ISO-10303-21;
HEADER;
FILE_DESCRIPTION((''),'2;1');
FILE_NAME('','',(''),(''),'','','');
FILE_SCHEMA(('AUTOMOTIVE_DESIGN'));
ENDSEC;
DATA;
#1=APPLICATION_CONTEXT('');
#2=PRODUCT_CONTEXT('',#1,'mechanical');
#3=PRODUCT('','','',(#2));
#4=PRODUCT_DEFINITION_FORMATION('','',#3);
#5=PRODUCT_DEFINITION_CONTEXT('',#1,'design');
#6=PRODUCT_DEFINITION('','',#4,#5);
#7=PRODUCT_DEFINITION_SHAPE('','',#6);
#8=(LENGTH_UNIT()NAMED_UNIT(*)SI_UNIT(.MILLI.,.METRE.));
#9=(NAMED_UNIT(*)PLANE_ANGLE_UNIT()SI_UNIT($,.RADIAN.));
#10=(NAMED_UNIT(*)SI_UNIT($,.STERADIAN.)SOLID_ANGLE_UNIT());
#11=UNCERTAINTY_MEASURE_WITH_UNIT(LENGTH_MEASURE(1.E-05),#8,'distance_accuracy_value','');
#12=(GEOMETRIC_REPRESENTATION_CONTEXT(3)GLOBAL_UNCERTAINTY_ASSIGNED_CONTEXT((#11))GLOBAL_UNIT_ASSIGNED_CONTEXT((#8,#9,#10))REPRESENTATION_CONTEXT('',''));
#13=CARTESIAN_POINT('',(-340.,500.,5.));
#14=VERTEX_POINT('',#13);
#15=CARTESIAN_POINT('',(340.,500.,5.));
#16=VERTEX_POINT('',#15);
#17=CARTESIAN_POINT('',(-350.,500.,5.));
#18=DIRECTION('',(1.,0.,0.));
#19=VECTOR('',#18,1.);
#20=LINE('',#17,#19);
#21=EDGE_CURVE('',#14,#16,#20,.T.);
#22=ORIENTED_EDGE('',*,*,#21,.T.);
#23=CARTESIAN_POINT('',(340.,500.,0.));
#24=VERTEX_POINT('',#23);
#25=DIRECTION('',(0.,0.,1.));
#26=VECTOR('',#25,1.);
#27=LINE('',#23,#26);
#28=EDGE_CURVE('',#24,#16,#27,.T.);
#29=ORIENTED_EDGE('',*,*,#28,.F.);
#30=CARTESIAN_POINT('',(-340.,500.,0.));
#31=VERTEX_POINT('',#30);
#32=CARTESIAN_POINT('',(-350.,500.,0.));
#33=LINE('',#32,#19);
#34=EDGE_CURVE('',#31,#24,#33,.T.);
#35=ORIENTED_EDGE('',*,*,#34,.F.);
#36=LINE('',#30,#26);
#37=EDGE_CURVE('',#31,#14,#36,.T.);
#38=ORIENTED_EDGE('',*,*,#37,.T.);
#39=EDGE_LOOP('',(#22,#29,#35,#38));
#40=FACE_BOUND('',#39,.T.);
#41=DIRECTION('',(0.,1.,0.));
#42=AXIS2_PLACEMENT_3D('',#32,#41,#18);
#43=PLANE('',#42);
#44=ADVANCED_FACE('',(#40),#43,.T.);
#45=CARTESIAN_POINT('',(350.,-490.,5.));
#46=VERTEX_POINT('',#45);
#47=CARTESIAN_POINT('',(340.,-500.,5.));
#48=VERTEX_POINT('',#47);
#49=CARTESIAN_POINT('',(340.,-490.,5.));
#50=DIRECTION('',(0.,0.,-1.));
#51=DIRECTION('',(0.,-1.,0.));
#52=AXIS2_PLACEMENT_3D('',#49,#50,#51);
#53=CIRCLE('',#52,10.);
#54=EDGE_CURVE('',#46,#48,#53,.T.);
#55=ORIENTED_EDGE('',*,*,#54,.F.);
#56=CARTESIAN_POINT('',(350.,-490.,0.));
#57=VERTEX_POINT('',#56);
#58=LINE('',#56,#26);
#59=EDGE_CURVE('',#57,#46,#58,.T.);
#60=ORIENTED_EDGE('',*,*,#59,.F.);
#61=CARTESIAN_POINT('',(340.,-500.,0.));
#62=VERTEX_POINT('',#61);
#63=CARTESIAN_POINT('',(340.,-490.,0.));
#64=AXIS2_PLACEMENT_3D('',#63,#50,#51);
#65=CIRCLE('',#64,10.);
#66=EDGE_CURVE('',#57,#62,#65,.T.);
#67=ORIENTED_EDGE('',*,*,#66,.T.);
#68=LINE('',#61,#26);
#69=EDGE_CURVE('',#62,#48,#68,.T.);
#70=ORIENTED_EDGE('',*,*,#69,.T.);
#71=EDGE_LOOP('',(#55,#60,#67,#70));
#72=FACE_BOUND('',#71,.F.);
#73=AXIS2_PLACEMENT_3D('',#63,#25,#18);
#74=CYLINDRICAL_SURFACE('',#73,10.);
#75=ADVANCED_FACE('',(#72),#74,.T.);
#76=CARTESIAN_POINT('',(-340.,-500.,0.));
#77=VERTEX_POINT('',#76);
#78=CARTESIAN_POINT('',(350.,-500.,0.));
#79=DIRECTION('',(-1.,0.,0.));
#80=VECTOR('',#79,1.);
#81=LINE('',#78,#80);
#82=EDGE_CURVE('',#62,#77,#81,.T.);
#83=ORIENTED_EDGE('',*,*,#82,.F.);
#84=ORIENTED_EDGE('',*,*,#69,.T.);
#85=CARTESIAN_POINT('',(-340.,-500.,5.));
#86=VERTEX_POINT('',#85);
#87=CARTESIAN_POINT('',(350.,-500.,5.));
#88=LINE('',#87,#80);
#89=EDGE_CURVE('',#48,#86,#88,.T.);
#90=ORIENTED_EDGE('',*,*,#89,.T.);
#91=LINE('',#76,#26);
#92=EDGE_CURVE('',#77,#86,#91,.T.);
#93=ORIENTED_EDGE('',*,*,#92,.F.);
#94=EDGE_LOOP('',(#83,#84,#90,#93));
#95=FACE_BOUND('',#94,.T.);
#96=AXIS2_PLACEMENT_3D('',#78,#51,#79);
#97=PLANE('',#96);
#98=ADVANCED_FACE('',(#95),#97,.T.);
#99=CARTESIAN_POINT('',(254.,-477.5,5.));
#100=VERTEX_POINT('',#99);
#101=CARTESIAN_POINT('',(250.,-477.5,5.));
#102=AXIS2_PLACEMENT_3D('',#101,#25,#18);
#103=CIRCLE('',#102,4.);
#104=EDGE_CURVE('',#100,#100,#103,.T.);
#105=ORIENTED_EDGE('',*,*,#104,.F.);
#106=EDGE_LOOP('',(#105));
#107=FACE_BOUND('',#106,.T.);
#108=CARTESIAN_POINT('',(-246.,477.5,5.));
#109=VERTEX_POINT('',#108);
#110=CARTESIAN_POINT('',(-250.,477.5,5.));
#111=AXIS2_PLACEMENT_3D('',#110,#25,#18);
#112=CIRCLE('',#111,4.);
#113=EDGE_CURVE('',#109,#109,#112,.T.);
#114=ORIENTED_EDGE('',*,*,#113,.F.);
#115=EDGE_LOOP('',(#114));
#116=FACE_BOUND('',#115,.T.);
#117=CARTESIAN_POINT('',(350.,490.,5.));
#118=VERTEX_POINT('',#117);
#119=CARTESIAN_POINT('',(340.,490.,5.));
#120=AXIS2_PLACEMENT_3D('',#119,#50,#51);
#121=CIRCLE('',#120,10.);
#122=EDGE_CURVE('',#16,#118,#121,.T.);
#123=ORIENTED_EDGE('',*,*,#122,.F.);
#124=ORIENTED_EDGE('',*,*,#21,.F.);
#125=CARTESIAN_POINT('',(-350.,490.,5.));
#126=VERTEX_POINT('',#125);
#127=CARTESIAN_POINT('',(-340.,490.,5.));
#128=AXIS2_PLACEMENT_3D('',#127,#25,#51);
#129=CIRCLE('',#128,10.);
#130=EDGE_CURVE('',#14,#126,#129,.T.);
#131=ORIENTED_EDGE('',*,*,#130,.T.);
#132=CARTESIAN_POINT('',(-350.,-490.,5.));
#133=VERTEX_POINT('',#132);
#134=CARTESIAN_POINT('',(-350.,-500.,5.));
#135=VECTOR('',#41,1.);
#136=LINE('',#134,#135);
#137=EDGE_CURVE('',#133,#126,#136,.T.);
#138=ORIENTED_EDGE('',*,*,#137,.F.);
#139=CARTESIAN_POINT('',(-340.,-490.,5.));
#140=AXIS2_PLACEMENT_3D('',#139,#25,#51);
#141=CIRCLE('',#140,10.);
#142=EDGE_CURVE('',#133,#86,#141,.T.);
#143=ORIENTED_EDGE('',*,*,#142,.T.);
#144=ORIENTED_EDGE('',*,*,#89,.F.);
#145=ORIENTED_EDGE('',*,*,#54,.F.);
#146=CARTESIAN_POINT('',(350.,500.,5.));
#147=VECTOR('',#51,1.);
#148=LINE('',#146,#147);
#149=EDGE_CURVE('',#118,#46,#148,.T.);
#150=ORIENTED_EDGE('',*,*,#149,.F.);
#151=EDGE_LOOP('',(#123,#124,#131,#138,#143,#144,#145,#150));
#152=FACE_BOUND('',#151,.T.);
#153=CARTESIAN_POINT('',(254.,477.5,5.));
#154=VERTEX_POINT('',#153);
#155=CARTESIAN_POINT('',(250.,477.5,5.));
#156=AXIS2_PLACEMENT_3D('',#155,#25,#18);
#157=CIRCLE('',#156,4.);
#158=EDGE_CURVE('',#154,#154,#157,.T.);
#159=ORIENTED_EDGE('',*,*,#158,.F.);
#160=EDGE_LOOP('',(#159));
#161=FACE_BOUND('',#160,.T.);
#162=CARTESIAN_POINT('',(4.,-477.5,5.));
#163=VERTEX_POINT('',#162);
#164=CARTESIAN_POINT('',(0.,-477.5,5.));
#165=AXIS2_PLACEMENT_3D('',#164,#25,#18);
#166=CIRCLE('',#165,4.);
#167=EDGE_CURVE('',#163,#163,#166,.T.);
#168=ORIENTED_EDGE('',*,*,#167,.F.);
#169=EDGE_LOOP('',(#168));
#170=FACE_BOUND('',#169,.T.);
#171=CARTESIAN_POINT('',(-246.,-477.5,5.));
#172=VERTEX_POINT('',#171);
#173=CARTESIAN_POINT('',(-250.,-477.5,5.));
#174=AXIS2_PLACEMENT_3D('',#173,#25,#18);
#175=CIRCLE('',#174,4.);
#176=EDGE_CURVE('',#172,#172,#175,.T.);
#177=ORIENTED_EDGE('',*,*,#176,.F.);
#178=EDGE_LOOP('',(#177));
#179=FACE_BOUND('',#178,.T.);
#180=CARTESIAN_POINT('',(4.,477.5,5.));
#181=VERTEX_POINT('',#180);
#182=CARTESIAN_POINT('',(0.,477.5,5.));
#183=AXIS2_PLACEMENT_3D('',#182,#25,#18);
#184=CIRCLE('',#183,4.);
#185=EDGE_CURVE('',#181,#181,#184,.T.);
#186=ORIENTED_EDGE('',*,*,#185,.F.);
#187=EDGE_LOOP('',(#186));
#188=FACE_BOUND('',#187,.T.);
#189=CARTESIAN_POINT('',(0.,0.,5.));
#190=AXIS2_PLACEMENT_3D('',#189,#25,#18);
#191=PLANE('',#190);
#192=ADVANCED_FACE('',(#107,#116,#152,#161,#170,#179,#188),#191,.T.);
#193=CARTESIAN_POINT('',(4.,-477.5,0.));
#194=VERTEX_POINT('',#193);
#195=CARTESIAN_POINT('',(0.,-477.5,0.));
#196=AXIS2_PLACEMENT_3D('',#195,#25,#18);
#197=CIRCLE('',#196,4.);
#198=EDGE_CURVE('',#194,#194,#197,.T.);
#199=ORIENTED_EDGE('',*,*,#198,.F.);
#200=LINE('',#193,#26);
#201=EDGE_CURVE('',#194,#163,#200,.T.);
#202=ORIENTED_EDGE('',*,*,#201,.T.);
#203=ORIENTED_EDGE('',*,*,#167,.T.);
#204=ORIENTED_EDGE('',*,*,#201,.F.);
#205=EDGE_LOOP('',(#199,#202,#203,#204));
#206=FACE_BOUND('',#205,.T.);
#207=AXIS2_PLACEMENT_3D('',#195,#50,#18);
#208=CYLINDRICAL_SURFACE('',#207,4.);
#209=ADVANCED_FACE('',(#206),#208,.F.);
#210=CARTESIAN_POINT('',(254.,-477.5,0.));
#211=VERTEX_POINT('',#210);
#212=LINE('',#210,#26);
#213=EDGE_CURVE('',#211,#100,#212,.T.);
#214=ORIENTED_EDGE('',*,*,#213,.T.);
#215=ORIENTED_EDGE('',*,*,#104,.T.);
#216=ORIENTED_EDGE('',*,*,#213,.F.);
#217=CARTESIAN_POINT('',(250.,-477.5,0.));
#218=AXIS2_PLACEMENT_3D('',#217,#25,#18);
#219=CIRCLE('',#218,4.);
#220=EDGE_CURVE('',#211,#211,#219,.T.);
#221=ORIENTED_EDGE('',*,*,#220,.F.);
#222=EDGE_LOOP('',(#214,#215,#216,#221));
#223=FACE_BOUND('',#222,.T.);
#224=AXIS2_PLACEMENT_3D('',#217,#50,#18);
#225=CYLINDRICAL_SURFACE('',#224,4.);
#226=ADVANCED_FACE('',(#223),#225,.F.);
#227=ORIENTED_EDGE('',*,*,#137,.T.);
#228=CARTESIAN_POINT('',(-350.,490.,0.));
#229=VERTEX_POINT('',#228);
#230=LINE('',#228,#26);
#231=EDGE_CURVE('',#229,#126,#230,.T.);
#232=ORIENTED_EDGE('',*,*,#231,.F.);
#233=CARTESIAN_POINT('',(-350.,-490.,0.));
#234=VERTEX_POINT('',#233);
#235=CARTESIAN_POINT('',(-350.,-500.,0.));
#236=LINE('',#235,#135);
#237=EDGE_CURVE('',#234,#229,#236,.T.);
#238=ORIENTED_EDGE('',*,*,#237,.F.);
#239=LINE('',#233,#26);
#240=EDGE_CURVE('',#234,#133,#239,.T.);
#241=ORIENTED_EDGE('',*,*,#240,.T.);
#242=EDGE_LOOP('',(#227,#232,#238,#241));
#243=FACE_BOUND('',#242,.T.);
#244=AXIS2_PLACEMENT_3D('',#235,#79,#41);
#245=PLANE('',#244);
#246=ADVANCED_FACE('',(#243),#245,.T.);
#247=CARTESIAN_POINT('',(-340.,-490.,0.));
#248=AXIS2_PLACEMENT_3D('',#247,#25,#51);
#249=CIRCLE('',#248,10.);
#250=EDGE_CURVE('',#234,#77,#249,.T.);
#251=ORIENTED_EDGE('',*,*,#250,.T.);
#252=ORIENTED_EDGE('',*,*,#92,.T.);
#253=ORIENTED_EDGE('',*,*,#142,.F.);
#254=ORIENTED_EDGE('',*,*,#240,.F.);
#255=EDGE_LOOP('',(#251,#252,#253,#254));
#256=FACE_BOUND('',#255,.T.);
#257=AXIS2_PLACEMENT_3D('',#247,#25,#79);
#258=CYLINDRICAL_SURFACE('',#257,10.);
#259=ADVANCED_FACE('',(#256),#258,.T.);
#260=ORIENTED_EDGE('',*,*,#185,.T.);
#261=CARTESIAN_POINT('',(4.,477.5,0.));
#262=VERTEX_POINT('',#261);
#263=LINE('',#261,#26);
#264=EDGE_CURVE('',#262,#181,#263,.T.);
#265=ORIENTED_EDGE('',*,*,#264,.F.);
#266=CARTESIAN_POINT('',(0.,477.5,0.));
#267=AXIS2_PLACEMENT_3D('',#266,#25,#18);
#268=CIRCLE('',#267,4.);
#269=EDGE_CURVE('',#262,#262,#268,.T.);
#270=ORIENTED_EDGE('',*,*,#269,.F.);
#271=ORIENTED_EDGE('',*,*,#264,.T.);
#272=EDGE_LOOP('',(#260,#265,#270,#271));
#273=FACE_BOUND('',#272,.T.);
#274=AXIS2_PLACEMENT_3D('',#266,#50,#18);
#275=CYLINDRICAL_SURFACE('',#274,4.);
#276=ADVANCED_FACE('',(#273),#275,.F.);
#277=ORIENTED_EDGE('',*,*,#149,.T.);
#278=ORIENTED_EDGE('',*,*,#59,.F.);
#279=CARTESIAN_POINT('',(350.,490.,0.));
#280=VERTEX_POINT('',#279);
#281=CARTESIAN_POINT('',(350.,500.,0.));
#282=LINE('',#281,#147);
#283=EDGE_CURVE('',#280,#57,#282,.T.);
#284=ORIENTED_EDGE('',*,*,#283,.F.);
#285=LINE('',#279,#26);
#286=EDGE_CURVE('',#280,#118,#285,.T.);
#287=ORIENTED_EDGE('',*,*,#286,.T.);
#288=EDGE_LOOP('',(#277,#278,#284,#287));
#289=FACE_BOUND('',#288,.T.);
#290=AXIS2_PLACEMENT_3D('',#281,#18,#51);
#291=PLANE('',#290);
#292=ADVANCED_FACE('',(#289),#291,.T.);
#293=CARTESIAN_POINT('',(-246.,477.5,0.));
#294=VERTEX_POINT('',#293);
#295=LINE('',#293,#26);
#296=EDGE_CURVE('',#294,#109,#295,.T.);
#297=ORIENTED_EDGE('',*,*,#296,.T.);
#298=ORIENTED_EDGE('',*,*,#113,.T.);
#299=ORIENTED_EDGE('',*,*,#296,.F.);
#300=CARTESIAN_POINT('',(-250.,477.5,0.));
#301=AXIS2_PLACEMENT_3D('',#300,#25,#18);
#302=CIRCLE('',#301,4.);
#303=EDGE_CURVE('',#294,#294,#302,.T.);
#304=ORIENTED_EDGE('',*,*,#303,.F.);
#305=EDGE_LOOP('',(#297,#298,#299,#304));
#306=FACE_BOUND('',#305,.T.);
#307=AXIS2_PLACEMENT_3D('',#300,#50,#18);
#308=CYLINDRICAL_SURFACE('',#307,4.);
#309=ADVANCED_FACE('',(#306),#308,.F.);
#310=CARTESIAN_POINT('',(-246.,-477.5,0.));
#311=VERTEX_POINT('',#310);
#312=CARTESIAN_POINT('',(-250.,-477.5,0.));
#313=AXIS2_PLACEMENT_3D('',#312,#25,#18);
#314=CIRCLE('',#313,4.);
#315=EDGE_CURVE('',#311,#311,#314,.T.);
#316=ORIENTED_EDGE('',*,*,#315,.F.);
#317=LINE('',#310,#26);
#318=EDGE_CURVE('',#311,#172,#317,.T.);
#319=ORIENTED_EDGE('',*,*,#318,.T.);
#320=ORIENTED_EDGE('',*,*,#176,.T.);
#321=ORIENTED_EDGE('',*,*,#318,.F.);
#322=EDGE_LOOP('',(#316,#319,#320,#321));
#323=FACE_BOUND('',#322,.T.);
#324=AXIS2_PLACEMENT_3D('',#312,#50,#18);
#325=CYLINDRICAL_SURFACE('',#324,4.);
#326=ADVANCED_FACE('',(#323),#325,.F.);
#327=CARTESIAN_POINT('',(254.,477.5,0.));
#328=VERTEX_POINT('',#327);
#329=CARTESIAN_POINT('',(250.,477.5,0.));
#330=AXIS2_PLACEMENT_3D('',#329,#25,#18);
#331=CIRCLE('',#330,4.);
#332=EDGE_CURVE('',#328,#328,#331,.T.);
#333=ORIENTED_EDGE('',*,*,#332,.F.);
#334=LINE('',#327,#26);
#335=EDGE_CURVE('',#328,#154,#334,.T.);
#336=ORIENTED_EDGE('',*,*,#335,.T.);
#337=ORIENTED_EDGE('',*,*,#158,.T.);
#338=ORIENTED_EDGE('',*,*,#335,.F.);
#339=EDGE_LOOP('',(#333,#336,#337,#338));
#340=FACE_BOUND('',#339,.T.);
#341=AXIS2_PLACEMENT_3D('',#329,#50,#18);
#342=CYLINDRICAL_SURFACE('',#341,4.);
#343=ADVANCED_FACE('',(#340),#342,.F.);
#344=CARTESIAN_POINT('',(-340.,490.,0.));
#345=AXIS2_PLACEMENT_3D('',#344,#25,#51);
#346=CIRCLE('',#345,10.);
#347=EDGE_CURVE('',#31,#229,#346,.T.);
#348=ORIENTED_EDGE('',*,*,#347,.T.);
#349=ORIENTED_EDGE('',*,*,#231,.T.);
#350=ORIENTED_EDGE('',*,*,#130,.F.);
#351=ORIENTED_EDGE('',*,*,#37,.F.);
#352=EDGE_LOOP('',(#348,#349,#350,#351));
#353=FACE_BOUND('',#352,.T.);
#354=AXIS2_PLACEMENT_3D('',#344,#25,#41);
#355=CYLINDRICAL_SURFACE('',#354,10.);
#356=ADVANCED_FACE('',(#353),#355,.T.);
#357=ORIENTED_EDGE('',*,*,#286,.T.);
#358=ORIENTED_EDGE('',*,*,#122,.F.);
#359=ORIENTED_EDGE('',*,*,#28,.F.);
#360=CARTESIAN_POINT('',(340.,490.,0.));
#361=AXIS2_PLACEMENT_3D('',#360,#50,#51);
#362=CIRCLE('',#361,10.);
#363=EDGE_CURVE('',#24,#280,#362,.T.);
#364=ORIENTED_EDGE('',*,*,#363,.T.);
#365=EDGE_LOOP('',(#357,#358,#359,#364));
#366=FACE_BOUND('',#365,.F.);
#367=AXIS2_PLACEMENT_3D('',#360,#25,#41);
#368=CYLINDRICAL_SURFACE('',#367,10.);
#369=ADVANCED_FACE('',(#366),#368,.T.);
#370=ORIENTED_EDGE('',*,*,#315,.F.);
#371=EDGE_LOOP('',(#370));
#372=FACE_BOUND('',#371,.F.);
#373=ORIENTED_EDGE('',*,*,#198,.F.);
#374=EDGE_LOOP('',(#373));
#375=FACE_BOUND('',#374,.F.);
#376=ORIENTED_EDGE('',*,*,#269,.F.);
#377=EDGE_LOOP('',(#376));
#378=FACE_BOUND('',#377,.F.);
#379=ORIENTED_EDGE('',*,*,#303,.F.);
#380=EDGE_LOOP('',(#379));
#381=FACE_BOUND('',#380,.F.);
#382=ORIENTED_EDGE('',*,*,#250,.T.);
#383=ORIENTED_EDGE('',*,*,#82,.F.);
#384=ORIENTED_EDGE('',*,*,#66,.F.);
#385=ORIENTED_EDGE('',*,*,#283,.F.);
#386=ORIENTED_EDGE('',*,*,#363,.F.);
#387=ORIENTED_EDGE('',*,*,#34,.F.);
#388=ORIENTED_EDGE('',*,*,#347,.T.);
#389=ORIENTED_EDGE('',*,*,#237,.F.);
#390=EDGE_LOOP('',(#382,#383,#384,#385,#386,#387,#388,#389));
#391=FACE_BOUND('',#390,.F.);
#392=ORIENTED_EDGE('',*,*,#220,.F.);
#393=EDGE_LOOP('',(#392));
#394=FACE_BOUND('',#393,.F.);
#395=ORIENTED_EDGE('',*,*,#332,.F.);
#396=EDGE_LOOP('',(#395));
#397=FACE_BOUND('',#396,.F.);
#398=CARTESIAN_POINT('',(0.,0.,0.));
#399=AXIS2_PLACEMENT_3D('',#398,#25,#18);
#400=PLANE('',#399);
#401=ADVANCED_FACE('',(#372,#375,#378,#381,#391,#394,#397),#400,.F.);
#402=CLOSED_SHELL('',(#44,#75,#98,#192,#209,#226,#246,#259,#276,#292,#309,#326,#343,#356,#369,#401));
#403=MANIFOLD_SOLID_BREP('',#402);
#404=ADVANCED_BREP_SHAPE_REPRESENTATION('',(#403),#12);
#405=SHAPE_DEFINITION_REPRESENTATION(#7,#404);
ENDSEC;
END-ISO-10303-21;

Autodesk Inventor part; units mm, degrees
ref_plane "YZ Plane" through (0, 0, 0) normal (1, 0, 0) x (0, 1, 0)
ref_plane "XZ Plane" through (0, 0, 0) normal (0, 1, 0) x (-1, 0, 0)
ref_plane "XY Plane" through (0, 0, 0) normal (0, 0, 1) x (1, 0, 0)
sketch "Boceto1" plane through (0, 0, 0) normal (0, 0, 1) x (1, 0, 0)
  line L0 (-350, 500) -> (350, 500)
  line L1 (350, 500) -> (350, -500)
  line L2 (350, -500) -> (-350, -500)
  line L3 (-350, -500) -> (-350, 500)
  circle A0 centre (-250, 477.5) radius 4
  circle A1 centre (250, 477.5) radius 4
  circle A2 centre (0, 477.5) radius 4
  circle A3 centre (-250, -477.5) radius 4
  circle A4 centre (0, -477.5) radius 4
  circle A5 centre (250, -477.5) radius 4
  circle A6 centre (-327.5, 240) radius 4
  circle A7 centre (-327.5, 0) radius 4
  circle A8 centre (-327.5, -240) radius 4
  point P0 (0, 0)
  point P1 (0, 500)
  point P2 (350, 0)
  point P3 (-350, 0)
  dimension "d0" = 700
  dimension "d4" = 1000
  dimension "d5" = 8
  dimension "d6" = 22.5
  dimension "d7" = 100
  dimension "d8" = 100
  dimension "d9" = 250
  dimension "d11" = 22.5
  dimension "d12" = 22.5
  dimension "d14" = 240
  dimension "d15" = 240
extrude "Extrusión1" add sketch "Boceto1" along normal blind 5 contours L0 L1 L2 L3 | A6 | A7 | A8
fillet "Empalme1" radius 10 4 edges at (350, 500, 2.5) (-350, 500, 2.5) (350, -500, 2.5) (-350, -500, 2.5)
equation "\"d8\" = d7"
equation "\"d11\" = d6"
equation "\"d12\" = d11"
equation "\"d15\" = d14"
properties part number "700x1000" material "Hierro, fundido"
